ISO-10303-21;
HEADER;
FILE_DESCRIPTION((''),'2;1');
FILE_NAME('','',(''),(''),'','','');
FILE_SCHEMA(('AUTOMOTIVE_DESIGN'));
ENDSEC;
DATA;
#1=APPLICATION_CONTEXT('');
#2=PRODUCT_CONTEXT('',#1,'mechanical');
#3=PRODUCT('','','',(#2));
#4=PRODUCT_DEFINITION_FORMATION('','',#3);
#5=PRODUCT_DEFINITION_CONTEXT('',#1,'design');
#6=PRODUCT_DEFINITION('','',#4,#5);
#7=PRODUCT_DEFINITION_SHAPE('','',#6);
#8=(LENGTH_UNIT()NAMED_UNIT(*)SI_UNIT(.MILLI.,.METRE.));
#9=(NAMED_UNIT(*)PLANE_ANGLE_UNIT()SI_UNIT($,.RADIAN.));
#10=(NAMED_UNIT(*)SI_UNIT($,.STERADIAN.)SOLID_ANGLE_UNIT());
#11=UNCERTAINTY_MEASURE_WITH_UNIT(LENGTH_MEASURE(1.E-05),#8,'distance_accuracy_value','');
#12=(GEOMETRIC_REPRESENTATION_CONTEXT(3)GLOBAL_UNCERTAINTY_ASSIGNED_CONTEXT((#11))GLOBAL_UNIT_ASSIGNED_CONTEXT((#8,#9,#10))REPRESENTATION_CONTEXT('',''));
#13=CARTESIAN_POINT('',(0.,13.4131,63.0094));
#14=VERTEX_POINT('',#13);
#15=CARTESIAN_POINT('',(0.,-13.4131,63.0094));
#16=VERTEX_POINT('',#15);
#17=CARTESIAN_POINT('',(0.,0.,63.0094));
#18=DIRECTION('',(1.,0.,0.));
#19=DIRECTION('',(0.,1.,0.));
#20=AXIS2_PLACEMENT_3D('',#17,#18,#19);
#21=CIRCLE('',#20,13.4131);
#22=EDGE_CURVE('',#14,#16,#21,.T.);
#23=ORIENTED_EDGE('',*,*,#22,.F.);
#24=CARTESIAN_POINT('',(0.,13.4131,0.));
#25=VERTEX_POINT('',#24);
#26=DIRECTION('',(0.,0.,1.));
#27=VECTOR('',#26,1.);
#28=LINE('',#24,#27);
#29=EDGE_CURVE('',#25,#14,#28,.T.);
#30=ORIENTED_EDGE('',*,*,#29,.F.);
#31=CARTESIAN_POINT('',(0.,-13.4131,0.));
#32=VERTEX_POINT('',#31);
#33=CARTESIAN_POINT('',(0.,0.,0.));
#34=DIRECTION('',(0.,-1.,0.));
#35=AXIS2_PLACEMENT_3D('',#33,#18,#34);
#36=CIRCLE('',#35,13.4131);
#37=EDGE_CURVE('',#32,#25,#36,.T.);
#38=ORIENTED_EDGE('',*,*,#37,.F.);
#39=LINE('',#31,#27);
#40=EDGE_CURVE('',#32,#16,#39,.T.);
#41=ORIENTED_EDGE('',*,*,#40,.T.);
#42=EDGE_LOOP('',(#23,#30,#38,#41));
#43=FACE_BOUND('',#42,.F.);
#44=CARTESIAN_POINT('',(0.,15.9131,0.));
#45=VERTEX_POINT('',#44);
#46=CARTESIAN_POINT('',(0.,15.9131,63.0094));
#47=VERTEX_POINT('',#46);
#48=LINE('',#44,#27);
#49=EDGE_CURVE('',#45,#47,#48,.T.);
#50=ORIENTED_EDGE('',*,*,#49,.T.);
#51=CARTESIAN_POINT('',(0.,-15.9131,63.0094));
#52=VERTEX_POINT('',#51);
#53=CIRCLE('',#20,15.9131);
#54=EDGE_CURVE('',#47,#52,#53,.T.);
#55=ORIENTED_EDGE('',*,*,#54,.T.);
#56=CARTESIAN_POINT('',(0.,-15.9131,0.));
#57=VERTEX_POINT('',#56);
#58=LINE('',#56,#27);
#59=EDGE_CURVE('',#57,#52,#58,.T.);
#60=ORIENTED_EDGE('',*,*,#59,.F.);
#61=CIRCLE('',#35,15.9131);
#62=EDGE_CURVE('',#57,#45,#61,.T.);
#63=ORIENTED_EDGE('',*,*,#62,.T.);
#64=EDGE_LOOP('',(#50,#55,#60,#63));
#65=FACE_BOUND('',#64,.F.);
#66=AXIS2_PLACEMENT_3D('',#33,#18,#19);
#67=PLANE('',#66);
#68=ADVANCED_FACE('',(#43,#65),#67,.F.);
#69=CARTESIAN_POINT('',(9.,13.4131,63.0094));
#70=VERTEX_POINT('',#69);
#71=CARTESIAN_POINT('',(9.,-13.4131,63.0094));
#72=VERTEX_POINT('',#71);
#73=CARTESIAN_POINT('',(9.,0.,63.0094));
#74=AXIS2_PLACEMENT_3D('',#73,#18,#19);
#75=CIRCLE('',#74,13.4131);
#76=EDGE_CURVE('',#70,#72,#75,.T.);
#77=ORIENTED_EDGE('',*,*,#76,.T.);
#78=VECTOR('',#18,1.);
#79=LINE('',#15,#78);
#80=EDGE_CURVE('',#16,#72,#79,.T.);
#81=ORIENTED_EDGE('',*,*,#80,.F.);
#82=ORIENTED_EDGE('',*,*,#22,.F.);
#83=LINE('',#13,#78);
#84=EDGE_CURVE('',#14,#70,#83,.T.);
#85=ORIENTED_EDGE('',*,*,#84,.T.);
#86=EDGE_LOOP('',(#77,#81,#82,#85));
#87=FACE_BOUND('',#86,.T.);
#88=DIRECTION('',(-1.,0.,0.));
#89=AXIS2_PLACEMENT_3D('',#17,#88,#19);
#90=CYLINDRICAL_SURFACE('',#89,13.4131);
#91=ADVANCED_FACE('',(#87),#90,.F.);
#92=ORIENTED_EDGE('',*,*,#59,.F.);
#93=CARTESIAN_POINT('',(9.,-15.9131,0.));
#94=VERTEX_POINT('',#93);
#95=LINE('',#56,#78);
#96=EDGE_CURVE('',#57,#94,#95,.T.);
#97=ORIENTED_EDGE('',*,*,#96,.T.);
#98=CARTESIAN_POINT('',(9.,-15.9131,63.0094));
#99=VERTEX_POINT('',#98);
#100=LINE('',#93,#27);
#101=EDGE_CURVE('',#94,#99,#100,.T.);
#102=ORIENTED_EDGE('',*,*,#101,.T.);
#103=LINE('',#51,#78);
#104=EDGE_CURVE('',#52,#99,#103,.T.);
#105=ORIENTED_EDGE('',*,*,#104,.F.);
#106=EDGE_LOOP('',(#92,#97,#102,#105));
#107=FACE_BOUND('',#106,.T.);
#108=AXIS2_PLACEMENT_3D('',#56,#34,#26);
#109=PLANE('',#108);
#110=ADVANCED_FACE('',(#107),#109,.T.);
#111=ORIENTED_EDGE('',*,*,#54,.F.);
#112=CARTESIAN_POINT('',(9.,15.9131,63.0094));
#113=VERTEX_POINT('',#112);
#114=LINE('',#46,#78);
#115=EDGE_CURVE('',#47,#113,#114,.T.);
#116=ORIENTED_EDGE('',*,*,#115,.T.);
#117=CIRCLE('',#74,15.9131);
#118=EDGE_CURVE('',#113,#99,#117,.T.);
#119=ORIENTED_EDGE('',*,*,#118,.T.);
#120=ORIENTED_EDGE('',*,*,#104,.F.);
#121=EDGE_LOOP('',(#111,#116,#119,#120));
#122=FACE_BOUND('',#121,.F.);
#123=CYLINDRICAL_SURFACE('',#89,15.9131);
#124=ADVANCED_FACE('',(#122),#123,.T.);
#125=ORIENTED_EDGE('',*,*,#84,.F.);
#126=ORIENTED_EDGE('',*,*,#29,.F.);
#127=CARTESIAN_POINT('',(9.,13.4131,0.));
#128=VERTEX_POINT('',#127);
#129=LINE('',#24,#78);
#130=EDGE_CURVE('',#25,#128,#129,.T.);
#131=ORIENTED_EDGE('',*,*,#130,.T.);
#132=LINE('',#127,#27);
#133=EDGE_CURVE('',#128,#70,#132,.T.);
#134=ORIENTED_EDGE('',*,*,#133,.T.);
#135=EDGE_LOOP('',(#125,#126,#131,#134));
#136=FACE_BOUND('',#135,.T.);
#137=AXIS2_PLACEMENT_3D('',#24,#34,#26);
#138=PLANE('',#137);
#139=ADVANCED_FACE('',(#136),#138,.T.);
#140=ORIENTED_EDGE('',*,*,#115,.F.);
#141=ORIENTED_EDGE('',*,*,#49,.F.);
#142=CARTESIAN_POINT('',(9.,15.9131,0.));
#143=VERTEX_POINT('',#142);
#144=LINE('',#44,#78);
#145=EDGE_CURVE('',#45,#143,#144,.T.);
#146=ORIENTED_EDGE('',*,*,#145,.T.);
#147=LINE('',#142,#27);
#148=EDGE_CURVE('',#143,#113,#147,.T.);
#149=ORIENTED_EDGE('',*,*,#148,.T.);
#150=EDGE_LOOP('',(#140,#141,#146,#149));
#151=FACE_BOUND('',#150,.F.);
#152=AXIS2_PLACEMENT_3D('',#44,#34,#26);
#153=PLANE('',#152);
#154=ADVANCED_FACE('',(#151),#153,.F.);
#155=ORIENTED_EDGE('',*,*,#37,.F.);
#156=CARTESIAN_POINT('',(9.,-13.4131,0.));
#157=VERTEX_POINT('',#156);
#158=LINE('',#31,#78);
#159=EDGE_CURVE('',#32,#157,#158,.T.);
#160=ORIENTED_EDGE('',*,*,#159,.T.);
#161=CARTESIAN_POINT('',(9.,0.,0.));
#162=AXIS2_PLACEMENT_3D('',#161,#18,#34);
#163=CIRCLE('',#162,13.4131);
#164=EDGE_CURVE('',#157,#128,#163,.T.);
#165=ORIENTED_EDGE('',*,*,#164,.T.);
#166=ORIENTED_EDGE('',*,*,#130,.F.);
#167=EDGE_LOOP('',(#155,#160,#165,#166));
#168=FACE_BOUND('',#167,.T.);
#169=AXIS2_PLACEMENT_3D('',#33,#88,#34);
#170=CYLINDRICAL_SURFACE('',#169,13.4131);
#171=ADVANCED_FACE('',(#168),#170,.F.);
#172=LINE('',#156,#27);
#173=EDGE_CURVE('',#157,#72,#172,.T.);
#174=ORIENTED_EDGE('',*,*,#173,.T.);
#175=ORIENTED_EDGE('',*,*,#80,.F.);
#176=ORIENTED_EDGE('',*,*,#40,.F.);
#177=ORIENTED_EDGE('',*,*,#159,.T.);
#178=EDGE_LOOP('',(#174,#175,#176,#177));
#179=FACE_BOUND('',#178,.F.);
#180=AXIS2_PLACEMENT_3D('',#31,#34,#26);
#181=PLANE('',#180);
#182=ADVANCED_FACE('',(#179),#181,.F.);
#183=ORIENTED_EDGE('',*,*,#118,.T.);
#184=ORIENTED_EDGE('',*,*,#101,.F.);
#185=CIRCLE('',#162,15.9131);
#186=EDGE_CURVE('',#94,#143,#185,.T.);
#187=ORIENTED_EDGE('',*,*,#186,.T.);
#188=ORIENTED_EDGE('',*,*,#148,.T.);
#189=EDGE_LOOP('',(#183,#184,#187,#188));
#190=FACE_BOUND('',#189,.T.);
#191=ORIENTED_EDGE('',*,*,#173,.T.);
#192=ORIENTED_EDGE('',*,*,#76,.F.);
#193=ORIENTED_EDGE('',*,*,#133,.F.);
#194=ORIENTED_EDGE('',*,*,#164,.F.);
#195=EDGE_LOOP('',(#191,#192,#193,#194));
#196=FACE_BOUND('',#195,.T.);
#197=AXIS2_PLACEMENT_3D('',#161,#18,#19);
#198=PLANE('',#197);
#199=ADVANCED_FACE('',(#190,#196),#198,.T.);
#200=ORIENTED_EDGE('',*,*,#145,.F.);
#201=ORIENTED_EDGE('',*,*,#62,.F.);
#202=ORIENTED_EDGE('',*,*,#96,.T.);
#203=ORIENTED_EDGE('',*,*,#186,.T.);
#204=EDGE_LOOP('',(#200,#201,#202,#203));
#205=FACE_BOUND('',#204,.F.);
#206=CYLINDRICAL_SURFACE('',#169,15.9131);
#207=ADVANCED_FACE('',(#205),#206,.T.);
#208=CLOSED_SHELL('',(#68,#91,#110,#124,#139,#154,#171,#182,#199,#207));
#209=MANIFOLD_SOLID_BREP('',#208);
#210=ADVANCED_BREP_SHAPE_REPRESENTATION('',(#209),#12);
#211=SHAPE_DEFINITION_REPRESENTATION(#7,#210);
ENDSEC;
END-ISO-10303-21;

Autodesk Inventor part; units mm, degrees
ref_plane "YZ Plane" through (0, 0, 0) normal (1, 0, 0) x (0, 1, 0)
ref_plane "XZ Plane" through (0, 0, 0) normal (0, 1, 0) x (-1, 0, 0)
ref_plane "XY Plane" through (0, 0, 0) normal (0, 0, 1) x (1, 0, 0)
sketch "Sketch1" plane through (0, 0, 0) normal (1, 0, 0) x (0, 1, 0)
  arc A0 (-13.4131, 0) -> (13.4131, 0) centre (0, 0) ccw
  arc A1 (-15.9131, 0) -> (15.9131, 0) centre (0, 0) ccw
  arc A2 (13.4131, 63.0094) -> (-13.4131, 63.0094) centre (0, 63.0094) ccw
  arc A3 (15.9131, 63.0094) -> (-15.9131, 63.0094) centre (0, 63.0094) ccw
  line L0 (13.4131, 0) -> (13.4131, 63.0094)
  line L1 (-13.4131, 0) -> (-13.4131, 63.0094)
  line L2 (15.9131, 0) -> (15.9131, 63.0094)
  line L3 (-15.9131, 0) -> (-15.9131, 63.0094)
  dimension "d0" = 2.5
  dimension "d1" = 13.4131
  dimension "d2" = 63.0094
extrude "Extrusion1" add sketch "Sketch1" along normal blind 9
properties part number "STANDIN,130T,HTD5mm,BELT" material "Nylon 6/6"
